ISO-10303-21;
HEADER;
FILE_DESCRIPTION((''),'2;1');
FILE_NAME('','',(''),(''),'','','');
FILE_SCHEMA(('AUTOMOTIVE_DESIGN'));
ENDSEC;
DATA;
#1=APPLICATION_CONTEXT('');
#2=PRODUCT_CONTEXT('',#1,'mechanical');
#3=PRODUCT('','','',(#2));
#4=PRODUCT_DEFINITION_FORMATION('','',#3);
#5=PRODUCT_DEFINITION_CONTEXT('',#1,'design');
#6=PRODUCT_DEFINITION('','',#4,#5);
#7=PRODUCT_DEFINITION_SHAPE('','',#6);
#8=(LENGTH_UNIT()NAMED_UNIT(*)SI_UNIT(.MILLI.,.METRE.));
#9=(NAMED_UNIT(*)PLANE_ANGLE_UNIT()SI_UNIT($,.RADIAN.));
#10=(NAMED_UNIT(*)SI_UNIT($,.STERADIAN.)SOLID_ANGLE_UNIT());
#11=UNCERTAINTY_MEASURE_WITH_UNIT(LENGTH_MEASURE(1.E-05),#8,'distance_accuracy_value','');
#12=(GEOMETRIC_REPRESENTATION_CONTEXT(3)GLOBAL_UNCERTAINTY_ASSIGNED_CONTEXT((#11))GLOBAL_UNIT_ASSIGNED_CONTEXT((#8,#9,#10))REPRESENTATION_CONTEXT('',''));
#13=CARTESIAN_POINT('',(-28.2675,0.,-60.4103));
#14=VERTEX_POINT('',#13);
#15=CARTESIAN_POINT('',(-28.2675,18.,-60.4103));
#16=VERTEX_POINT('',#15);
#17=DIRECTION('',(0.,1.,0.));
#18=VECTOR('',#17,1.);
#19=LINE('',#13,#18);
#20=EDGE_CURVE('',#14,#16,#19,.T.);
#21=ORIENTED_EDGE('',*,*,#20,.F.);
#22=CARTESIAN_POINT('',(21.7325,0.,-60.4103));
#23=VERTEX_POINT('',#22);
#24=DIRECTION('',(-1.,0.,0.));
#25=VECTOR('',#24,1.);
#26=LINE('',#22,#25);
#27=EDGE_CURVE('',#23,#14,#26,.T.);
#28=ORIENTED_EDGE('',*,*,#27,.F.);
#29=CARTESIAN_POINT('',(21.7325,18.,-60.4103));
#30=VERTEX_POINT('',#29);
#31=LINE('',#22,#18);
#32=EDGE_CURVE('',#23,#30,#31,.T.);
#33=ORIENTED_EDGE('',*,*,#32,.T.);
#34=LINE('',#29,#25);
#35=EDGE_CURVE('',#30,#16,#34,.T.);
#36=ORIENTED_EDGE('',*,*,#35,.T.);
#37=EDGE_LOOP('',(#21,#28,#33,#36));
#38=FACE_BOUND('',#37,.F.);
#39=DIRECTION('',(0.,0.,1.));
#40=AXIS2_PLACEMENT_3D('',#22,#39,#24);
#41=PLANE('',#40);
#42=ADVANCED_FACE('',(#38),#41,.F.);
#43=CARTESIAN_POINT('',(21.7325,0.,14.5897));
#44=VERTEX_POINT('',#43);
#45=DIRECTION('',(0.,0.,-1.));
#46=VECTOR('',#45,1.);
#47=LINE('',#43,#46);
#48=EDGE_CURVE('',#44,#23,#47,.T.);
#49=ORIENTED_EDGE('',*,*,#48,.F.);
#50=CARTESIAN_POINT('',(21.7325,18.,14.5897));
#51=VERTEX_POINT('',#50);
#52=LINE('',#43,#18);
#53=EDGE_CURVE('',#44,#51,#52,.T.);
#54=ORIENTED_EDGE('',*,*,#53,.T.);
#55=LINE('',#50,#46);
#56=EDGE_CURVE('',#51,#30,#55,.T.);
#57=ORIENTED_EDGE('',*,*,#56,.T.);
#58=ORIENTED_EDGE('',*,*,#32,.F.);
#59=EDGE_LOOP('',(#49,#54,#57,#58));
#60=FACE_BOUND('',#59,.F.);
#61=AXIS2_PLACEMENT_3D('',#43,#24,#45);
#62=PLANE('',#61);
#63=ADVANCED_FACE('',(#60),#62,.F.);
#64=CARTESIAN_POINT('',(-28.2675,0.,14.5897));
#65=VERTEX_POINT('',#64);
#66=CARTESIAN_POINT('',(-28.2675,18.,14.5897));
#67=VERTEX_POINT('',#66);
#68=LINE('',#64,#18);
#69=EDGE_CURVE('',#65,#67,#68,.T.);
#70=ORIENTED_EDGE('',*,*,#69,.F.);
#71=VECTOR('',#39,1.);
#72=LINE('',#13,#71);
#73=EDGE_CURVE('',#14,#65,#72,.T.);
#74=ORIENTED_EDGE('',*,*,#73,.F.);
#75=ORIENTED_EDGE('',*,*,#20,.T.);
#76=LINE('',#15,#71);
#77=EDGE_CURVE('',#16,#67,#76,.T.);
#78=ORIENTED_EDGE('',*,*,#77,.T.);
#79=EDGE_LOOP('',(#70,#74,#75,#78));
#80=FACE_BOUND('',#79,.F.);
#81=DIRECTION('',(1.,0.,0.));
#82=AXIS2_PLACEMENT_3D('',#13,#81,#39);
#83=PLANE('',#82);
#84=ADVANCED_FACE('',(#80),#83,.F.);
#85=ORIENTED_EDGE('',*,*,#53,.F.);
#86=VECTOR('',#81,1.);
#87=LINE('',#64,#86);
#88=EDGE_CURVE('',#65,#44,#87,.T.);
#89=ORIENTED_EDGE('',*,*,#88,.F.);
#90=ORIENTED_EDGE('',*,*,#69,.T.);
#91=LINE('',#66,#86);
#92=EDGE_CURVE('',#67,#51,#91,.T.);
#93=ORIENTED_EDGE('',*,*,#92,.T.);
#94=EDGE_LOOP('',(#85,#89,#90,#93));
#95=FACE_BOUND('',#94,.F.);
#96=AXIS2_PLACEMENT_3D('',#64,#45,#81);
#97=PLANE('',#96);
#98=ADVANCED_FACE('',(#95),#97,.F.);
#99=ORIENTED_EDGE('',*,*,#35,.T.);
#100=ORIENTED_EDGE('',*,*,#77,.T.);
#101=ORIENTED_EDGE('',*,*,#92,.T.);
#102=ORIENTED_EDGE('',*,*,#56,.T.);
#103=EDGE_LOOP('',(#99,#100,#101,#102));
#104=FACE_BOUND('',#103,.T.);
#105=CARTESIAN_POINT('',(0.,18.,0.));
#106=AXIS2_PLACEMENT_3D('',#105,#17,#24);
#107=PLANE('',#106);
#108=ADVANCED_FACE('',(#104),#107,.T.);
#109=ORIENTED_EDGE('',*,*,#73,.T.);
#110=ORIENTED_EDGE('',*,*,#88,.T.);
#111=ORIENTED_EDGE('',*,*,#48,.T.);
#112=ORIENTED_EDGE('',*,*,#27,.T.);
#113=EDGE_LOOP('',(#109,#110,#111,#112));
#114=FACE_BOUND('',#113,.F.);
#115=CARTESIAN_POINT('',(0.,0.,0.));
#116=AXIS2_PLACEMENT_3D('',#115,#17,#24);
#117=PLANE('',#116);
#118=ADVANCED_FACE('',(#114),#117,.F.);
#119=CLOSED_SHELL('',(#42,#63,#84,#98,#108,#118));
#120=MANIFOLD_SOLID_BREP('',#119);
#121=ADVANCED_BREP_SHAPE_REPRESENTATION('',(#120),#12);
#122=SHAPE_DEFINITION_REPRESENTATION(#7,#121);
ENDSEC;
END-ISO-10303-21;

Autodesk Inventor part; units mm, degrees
ref_plane "YZ Plane" through (0, 0, 0) normal (1, 0, 0) x (0, 1, 0)
ref_plane "XZ Plane" through (0, 0, 0) normal (0, 1, 0) x (-1, 0, 0)
ref_plane "XY Plane" through (0, 0, 0) normal (0, 0, 1) x (1, 0, 0)
sketch "Sketch1" plane through (0, 0, 0) normal (0, 1, 0) x (-1, 0, 0)
  line L0 (28.2675, 14.5897) -> (-21.7325, 14.5897)
  line L1 (-21.7325, 14.5897) -> (-21.7325, -60.4103)
  line L2 (-21.7325, -60.4103) -> (28.2675, -60.4103)
  line L3 (28.2675, -60.4103) -> (28.2675, 14.5897)
  point P0 (0, 0)
  dimension "d0" = 75
  dimension "d1" = 50
extrude "Extrusion1" add sketch "Sketch1" along normal blind 18
properties part number "pcb_aproximace" material "Glass"
